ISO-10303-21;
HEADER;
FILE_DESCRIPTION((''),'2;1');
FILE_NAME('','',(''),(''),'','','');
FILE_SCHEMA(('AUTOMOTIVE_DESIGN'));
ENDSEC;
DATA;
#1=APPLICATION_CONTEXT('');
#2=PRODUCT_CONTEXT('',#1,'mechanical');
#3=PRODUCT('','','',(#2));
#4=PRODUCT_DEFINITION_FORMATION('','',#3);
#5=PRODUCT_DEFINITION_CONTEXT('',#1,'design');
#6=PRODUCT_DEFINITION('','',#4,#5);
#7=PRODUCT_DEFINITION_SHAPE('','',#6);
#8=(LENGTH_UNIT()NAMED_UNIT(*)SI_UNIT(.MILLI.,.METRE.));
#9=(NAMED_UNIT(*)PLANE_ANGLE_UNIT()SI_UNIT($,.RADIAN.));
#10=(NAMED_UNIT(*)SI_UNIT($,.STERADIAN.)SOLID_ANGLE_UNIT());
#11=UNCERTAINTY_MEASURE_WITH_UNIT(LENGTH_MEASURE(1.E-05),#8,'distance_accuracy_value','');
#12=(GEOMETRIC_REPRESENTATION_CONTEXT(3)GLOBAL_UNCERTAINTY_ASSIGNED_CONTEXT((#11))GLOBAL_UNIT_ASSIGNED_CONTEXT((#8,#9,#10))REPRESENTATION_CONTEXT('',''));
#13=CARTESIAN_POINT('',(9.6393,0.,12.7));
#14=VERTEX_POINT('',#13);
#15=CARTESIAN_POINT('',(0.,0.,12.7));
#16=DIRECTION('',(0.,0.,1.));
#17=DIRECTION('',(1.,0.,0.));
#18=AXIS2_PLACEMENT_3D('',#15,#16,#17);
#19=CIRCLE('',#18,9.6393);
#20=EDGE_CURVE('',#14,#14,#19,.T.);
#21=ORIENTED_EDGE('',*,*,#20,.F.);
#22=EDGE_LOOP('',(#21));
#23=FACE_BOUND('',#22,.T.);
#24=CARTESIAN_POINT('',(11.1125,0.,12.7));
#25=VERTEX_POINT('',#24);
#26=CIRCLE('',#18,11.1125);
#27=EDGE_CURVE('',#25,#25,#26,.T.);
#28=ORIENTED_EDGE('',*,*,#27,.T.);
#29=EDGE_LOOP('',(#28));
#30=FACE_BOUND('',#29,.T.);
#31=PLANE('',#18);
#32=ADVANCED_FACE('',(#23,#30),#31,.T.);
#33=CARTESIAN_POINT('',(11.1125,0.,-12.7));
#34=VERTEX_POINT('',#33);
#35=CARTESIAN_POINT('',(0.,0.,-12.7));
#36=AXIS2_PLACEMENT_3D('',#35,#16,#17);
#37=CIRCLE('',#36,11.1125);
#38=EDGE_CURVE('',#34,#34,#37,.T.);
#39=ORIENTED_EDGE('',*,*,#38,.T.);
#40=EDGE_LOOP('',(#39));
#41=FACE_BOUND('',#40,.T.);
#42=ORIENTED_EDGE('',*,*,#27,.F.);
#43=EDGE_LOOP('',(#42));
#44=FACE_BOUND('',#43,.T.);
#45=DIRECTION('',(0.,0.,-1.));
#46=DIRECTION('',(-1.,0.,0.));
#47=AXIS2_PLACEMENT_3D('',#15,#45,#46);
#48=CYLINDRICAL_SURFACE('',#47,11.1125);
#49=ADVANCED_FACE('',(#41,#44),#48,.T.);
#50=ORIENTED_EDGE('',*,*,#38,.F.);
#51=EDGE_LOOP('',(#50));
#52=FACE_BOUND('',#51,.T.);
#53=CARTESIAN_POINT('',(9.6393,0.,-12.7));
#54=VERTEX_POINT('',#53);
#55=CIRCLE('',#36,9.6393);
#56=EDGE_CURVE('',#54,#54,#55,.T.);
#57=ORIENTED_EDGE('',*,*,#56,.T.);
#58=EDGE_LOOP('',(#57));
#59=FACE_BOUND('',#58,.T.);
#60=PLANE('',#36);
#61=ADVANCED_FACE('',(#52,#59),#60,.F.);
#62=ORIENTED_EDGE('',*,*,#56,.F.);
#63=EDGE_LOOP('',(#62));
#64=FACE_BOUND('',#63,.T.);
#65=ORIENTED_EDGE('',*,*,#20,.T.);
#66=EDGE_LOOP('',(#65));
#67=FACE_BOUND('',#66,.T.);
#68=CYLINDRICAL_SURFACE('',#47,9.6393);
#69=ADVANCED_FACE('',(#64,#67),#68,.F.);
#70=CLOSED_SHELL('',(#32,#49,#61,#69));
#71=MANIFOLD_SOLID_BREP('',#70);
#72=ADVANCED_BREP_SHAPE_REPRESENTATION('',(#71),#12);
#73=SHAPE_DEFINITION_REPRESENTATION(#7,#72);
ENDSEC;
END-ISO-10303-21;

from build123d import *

# Parameters (mm, degrees)
SKETCH3_R           = 11.1125
SKETCH3_R_2         = 9.6393
BOSS_EXTRUDE1_DEPTH = 12.7


with BuildPart() as part:
    # Sketch3 → Boss-Extrude1 (new, symmetric)
    with BuildSketch(Plane.XY):
        Circle(SKETCH3_R)
        Circle(SKETCH3_R_2, mode=Mode.SUBTRACT)
    extrude(amount=BOSS_EXTRUDE1_DEPTH, both=True)


solid = part.part
